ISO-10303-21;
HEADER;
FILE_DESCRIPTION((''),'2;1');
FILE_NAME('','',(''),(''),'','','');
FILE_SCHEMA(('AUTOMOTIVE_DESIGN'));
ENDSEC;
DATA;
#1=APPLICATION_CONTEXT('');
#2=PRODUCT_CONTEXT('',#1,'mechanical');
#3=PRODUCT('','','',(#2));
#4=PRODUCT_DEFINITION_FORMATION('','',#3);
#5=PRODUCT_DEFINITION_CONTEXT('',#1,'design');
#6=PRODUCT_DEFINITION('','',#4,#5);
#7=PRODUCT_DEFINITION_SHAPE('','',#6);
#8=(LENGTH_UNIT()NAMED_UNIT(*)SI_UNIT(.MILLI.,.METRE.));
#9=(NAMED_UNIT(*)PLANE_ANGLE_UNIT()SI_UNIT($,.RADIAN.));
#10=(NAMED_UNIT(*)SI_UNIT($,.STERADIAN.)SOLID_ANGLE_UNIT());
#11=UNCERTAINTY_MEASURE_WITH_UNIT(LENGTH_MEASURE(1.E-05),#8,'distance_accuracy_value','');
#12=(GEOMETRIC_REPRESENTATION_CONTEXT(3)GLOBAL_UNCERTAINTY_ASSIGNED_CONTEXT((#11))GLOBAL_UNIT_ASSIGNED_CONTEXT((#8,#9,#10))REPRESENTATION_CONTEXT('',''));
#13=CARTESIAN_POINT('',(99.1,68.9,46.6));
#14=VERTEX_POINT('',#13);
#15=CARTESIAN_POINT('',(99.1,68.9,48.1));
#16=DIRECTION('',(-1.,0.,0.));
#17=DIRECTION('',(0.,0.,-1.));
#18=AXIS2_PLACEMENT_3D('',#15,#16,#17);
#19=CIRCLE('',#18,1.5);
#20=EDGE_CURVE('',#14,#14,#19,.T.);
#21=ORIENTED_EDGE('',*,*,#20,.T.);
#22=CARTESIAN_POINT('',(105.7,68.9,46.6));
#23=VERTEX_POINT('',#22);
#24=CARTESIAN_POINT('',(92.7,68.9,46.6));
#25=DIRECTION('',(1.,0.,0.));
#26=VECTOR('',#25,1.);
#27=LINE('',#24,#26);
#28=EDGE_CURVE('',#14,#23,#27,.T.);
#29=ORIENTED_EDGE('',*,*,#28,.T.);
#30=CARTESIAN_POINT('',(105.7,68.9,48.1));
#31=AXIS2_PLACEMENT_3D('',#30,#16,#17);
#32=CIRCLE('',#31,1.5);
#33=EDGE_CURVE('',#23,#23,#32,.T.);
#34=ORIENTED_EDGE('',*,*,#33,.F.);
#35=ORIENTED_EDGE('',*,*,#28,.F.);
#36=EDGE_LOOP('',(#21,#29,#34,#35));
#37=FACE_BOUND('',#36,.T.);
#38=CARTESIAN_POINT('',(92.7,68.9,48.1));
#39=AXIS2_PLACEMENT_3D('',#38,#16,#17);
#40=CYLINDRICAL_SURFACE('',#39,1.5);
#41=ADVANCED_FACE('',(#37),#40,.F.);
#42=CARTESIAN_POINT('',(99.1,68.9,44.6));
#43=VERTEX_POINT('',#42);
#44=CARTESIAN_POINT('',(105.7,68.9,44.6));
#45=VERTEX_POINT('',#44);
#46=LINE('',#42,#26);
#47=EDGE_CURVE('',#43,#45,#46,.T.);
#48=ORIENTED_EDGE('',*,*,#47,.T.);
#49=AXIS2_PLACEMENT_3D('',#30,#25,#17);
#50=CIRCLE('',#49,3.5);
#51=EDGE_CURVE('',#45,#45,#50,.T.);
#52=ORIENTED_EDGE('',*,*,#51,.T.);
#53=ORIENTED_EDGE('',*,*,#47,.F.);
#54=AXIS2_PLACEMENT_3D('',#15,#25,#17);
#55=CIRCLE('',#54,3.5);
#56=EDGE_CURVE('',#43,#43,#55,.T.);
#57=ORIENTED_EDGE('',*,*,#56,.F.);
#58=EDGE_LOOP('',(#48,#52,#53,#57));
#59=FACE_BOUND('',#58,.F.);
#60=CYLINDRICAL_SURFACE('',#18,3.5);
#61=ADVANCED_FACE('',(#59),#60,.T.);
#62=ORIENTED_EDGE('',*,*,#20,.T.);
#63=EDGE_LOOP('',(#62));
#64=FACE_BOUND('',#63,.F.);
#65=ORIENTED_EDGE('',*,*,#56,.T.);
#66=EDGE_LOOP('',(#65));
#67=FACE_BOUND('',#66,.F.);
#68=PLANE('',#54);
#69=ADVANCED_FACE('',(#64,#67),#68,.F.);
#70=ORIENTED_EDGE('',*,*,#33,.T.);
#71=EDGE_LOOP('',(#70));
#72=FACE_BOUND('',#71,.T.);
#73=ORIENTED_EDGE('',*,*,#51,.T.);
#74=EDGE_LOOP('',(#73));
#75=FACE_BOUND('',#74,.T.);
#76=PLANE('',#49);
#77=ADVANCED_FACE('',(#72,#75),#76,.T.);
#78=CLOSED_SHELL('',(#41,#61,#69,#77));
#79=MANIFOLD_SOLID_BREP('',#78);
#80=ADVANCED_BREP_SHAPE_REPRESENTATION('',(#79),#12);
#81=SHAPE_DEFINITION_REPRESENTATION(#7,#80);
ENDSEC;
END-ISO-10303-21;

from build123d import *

# Parameters (mm, degrees)
CYLINDER178_R     = 1.5
CYLINDER178_DEPTH = 55
CYLINDER172_R     = 3.5
CYLINDER172_DEPTH = 6.6


with BuildPart() as cylinder178:
    # Cylinder178 → Cylinder178 (new body)
    with BuildSketch(Plane(origin=(92.7, 68.9, 48.1), x_dir=(0, 0, -1), z_dir=(1, 0, 0))):
        Circle(CYLINDER178_R)
    extrude(amount=CYLINDER178_DEPTH)


with BuildPart() as cut210:
    # Cylinder172 → Cylinder172 (new body)
    with BuildSketch(Plane(origin=(99.1, 68.9, 48.1), x_dir=(0, 0, -1), z_dir=(1, 0, 0))):
        Circle(CYLINDER172_R)
    extrude(amount=CYLINDER172_DEPTH)

    # Cut210: cut Cylinder178
    add(cylinder178.part, mode=Mode.SUBTRACT)


solid = cut210.part
